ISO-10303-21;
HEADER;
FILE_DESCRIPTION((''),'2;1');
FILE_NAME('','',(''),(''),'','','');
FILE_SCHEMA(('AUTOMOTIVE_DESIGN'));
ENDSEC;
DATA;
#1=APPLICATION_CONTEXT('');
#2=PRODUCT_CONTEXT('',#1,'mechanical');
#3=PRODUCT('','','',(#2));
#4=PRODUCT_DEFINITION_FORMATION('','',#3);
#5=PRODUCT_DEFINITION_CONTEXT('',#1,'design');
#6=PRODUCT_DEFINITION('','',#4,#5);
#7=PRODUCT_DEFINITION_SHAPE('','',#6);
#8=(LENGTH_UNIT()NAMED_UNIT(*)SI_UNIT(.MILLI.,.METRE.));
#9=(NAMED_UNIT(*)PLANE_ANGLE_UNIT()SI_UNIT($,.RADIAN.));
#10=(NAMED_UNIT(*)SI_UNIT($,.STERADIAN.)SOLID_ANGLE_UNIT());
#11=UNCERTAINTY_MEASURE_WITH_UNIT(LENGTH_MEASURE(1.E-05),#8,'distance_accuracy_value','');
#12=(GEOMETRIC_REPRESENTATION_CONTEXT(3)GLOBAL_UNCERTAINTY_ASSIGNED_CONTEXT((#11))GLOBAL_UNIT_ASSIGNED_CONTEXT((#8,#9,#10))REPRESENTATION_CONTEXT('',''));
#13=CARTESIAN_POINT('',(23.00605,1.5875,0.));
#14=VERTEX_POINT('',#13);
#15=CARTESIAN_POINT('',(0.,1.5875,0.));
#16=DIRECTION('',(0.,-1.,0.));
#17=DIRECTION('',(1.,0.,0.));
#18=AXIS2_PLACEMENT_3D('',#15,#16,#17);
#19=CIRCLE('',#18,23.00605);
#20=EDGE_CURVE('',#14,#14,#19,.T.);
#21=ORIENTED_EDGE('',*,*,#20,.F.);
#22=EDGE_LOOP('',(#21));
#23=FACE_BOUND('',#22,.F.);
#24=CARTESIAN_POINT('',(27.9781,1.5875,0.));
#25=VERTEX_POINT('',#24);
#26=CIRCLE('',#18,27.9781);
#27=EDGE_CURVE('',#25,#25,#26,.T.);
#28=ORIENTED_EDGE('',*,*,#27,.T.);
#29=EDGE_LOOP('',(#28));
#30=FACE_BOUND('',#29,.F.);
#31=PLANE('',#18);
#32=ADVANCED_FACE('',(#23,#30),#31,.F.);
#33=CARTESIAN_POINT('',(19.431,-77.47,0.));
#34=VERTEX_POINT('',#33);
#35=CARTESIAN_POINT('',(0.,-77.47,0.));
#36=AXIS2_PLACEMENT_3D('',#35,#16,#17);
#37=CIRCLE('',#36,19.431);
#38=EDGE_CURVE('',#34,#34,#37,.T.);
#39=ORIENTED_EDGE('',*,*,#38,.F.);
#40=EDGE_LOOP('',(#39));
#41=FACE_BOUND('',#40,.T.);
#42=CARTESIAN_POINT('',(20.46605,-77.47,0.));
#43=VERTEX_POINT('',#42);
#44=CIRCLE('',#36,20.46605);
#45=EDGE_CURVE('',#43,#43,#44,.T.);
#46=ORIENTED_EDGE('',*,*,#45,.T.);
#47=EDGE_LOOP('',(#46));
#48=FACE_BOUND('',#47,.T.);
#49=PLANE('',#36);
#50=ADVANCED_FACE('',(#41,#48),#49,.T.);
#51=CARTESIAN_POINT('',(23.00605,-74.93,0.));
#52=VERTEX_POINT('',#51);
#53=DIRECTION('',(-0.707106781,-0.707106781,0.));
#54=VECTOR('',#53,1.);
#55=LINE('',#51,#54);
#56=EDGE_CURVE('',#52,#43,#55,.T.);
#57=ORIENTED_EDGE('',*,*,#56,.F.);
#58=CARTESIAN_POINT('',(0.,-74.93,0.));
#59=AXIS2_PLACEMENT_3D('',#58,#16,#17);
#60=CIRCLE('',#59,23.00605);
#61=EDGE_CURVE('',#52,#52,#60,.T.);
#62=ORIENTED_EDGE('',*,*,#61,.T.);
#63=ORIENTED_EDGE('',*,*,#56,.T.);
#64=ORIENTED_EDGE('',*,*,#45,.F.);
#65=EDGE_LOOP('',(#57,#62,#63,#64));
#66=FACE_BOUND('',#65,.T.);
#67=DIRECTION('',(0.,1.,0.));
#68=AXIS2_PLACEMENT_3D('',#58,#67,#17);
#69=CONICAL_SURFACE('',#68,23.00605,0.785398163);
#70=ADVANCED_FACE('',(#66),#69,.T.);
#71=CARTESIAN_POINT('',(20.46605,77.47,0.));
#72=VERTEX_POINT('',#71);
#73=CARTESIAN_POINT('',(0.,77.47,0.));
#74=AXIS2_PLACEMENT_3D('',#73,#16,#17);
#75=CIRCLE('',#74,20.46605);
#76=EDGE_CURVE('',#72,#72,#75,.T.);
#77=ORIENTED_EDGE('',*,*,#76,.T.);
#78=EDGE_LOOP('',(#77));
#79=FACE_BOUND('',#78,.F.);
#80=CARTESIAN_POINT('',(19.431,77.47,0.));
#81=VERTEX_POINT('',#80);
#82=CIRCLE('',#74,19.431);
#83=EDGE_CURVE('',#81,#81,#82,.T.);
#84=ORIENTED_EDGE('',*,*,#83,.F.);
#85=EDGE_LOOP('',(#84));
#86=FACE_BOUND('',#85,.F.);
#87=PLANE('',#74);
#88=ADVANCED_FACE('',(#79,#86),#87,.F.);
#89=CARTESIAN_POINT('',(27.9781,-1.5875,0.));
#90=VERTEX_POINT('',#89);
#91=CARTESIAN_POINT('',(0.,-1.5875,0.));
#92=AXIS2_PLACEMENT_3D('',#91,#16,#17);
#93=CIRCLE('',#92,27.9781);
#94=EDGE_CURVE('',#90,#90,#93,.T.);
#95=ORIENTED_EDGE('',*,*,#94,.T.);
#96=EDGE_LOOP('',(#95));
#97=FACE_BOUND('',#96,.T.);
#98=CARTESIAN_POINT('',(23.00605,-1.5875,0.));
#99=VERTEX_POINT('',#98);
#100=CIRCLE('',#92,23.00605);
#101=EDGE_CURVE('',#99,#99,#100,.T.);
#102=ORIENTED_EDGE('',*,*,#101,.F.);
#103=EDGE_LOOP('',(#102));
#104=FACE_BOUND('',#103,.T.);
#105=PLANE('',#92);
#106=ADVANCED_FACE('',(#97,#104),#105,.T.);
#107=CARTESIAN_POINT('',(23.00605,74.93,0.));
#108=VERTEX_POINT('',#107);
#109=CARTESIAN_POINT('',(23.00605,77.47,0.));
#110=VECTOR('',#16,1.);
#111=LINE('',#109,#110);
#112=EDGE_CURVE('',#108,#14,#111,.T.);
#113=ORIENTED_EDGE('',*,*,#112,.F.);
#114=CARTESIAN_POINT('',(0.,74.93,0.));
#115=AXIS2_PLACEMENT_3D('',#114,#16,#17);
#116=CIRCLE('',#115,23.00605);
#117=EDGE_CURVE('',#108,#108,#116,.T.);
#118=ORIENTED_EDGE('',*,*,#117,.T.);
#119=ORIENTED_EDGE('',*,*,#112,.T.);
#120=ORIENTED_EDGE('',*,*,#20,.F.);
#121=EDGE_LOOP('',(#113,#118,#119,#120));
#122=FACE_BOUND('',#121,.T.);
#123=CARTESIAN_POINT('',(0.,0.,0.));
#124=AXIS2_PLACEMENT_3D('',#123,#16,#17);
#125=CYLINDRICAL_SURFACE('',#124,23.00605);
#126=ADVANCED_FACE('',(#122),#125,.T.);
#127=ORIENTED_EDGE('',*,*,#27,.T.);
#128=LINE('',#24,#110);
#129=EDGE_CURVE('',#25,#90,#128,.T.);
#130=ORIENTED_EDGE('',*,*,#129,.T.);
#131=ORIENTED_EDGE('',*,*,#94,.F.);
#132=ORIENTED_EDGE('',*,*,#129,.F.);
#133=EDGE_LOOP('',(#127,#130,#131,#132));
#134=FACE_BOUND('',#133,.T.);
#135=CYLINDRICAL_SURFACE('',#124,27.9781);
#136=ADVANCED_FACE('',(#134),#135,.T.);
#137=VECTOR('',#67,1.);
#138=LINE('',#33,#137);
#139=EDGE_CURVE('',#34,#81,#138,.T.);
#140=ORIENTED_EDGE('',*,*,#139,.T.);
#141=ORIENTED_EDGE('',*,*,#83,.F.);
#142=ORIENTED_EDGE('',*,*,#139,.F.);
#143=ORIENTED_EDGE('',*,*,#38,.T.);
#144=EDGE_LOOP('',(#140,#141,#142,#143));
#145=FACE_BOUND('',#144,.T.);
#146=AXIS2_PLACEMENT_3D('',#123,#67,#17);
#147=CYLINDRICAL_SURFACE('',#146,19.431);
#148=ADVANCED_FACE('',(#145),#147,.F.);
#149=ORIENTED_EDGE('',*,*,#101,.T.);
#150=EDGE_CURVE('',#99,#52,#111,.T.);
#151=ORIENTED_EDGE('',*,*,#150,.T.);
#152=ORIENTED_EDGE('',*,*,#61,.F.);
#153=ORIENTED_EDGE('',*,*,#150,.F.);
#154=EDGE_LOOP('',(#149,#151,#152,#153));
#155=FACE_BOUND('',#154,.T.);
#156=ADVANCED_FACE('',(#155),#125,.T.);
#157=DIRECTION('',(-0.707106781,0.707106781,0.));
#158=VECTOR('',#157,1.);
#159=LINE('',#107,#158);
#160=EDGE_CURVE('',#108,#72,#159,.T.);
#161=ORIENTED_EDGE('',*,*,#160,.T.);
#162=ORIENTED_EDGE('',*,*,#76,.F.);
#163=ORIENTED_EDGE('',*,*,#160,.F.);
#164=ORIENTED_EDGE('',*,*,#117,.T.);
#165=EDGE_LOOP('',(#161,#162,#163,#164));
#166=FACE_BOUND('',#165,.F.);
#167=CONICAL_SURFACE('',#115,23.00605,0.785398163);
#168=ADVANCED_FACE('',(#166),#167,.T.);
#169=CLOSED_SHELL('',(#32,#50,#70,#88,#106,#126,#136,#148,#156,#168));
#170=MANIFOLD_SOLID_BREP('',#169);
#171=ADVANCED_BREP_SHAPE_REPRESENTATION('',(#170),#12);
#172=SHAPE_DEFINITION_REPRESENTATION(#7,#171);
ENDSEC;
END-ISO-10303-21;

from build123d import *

# Parameters (mm, degrees)
F0_R     = 23.00605
F0_R_2   = 19.431
F1_DEPTH = 77.47
F2_SIZE  = 2.54
F0_R_3   = 27.9781
F3_DEPTH = 1.5875


with BuildPart() as f1:
    # F0 (on Front) → F1 (new body, symmetric)
    with BuildSketch(Plane.XZ):
        Circle(F0_R)
        Circle(F0_R_2, mode=Mode.SUBTRACT)
    extrude(amount=F1_DEPTH, both=True)

    # F2
    f2_edges = [f1.edges().sort_by_distance(p)[0] for p in [
        (-23.00605, -77.47, 0),
        (-23.00605, 77.47, 0),
    ]]
    chamfer(f2_edges, length=F2_SIZE)

    # F0 (on Front) → F3 (join, symmetric)
    with BuildSketch(Plane.XZ):
        Circle(F0_R_3)
        Circle(F0_R, mode=Mode.SUBTRACT)
    extrude(amount=F3_DEPTH, both=True)


solid = f1.part
